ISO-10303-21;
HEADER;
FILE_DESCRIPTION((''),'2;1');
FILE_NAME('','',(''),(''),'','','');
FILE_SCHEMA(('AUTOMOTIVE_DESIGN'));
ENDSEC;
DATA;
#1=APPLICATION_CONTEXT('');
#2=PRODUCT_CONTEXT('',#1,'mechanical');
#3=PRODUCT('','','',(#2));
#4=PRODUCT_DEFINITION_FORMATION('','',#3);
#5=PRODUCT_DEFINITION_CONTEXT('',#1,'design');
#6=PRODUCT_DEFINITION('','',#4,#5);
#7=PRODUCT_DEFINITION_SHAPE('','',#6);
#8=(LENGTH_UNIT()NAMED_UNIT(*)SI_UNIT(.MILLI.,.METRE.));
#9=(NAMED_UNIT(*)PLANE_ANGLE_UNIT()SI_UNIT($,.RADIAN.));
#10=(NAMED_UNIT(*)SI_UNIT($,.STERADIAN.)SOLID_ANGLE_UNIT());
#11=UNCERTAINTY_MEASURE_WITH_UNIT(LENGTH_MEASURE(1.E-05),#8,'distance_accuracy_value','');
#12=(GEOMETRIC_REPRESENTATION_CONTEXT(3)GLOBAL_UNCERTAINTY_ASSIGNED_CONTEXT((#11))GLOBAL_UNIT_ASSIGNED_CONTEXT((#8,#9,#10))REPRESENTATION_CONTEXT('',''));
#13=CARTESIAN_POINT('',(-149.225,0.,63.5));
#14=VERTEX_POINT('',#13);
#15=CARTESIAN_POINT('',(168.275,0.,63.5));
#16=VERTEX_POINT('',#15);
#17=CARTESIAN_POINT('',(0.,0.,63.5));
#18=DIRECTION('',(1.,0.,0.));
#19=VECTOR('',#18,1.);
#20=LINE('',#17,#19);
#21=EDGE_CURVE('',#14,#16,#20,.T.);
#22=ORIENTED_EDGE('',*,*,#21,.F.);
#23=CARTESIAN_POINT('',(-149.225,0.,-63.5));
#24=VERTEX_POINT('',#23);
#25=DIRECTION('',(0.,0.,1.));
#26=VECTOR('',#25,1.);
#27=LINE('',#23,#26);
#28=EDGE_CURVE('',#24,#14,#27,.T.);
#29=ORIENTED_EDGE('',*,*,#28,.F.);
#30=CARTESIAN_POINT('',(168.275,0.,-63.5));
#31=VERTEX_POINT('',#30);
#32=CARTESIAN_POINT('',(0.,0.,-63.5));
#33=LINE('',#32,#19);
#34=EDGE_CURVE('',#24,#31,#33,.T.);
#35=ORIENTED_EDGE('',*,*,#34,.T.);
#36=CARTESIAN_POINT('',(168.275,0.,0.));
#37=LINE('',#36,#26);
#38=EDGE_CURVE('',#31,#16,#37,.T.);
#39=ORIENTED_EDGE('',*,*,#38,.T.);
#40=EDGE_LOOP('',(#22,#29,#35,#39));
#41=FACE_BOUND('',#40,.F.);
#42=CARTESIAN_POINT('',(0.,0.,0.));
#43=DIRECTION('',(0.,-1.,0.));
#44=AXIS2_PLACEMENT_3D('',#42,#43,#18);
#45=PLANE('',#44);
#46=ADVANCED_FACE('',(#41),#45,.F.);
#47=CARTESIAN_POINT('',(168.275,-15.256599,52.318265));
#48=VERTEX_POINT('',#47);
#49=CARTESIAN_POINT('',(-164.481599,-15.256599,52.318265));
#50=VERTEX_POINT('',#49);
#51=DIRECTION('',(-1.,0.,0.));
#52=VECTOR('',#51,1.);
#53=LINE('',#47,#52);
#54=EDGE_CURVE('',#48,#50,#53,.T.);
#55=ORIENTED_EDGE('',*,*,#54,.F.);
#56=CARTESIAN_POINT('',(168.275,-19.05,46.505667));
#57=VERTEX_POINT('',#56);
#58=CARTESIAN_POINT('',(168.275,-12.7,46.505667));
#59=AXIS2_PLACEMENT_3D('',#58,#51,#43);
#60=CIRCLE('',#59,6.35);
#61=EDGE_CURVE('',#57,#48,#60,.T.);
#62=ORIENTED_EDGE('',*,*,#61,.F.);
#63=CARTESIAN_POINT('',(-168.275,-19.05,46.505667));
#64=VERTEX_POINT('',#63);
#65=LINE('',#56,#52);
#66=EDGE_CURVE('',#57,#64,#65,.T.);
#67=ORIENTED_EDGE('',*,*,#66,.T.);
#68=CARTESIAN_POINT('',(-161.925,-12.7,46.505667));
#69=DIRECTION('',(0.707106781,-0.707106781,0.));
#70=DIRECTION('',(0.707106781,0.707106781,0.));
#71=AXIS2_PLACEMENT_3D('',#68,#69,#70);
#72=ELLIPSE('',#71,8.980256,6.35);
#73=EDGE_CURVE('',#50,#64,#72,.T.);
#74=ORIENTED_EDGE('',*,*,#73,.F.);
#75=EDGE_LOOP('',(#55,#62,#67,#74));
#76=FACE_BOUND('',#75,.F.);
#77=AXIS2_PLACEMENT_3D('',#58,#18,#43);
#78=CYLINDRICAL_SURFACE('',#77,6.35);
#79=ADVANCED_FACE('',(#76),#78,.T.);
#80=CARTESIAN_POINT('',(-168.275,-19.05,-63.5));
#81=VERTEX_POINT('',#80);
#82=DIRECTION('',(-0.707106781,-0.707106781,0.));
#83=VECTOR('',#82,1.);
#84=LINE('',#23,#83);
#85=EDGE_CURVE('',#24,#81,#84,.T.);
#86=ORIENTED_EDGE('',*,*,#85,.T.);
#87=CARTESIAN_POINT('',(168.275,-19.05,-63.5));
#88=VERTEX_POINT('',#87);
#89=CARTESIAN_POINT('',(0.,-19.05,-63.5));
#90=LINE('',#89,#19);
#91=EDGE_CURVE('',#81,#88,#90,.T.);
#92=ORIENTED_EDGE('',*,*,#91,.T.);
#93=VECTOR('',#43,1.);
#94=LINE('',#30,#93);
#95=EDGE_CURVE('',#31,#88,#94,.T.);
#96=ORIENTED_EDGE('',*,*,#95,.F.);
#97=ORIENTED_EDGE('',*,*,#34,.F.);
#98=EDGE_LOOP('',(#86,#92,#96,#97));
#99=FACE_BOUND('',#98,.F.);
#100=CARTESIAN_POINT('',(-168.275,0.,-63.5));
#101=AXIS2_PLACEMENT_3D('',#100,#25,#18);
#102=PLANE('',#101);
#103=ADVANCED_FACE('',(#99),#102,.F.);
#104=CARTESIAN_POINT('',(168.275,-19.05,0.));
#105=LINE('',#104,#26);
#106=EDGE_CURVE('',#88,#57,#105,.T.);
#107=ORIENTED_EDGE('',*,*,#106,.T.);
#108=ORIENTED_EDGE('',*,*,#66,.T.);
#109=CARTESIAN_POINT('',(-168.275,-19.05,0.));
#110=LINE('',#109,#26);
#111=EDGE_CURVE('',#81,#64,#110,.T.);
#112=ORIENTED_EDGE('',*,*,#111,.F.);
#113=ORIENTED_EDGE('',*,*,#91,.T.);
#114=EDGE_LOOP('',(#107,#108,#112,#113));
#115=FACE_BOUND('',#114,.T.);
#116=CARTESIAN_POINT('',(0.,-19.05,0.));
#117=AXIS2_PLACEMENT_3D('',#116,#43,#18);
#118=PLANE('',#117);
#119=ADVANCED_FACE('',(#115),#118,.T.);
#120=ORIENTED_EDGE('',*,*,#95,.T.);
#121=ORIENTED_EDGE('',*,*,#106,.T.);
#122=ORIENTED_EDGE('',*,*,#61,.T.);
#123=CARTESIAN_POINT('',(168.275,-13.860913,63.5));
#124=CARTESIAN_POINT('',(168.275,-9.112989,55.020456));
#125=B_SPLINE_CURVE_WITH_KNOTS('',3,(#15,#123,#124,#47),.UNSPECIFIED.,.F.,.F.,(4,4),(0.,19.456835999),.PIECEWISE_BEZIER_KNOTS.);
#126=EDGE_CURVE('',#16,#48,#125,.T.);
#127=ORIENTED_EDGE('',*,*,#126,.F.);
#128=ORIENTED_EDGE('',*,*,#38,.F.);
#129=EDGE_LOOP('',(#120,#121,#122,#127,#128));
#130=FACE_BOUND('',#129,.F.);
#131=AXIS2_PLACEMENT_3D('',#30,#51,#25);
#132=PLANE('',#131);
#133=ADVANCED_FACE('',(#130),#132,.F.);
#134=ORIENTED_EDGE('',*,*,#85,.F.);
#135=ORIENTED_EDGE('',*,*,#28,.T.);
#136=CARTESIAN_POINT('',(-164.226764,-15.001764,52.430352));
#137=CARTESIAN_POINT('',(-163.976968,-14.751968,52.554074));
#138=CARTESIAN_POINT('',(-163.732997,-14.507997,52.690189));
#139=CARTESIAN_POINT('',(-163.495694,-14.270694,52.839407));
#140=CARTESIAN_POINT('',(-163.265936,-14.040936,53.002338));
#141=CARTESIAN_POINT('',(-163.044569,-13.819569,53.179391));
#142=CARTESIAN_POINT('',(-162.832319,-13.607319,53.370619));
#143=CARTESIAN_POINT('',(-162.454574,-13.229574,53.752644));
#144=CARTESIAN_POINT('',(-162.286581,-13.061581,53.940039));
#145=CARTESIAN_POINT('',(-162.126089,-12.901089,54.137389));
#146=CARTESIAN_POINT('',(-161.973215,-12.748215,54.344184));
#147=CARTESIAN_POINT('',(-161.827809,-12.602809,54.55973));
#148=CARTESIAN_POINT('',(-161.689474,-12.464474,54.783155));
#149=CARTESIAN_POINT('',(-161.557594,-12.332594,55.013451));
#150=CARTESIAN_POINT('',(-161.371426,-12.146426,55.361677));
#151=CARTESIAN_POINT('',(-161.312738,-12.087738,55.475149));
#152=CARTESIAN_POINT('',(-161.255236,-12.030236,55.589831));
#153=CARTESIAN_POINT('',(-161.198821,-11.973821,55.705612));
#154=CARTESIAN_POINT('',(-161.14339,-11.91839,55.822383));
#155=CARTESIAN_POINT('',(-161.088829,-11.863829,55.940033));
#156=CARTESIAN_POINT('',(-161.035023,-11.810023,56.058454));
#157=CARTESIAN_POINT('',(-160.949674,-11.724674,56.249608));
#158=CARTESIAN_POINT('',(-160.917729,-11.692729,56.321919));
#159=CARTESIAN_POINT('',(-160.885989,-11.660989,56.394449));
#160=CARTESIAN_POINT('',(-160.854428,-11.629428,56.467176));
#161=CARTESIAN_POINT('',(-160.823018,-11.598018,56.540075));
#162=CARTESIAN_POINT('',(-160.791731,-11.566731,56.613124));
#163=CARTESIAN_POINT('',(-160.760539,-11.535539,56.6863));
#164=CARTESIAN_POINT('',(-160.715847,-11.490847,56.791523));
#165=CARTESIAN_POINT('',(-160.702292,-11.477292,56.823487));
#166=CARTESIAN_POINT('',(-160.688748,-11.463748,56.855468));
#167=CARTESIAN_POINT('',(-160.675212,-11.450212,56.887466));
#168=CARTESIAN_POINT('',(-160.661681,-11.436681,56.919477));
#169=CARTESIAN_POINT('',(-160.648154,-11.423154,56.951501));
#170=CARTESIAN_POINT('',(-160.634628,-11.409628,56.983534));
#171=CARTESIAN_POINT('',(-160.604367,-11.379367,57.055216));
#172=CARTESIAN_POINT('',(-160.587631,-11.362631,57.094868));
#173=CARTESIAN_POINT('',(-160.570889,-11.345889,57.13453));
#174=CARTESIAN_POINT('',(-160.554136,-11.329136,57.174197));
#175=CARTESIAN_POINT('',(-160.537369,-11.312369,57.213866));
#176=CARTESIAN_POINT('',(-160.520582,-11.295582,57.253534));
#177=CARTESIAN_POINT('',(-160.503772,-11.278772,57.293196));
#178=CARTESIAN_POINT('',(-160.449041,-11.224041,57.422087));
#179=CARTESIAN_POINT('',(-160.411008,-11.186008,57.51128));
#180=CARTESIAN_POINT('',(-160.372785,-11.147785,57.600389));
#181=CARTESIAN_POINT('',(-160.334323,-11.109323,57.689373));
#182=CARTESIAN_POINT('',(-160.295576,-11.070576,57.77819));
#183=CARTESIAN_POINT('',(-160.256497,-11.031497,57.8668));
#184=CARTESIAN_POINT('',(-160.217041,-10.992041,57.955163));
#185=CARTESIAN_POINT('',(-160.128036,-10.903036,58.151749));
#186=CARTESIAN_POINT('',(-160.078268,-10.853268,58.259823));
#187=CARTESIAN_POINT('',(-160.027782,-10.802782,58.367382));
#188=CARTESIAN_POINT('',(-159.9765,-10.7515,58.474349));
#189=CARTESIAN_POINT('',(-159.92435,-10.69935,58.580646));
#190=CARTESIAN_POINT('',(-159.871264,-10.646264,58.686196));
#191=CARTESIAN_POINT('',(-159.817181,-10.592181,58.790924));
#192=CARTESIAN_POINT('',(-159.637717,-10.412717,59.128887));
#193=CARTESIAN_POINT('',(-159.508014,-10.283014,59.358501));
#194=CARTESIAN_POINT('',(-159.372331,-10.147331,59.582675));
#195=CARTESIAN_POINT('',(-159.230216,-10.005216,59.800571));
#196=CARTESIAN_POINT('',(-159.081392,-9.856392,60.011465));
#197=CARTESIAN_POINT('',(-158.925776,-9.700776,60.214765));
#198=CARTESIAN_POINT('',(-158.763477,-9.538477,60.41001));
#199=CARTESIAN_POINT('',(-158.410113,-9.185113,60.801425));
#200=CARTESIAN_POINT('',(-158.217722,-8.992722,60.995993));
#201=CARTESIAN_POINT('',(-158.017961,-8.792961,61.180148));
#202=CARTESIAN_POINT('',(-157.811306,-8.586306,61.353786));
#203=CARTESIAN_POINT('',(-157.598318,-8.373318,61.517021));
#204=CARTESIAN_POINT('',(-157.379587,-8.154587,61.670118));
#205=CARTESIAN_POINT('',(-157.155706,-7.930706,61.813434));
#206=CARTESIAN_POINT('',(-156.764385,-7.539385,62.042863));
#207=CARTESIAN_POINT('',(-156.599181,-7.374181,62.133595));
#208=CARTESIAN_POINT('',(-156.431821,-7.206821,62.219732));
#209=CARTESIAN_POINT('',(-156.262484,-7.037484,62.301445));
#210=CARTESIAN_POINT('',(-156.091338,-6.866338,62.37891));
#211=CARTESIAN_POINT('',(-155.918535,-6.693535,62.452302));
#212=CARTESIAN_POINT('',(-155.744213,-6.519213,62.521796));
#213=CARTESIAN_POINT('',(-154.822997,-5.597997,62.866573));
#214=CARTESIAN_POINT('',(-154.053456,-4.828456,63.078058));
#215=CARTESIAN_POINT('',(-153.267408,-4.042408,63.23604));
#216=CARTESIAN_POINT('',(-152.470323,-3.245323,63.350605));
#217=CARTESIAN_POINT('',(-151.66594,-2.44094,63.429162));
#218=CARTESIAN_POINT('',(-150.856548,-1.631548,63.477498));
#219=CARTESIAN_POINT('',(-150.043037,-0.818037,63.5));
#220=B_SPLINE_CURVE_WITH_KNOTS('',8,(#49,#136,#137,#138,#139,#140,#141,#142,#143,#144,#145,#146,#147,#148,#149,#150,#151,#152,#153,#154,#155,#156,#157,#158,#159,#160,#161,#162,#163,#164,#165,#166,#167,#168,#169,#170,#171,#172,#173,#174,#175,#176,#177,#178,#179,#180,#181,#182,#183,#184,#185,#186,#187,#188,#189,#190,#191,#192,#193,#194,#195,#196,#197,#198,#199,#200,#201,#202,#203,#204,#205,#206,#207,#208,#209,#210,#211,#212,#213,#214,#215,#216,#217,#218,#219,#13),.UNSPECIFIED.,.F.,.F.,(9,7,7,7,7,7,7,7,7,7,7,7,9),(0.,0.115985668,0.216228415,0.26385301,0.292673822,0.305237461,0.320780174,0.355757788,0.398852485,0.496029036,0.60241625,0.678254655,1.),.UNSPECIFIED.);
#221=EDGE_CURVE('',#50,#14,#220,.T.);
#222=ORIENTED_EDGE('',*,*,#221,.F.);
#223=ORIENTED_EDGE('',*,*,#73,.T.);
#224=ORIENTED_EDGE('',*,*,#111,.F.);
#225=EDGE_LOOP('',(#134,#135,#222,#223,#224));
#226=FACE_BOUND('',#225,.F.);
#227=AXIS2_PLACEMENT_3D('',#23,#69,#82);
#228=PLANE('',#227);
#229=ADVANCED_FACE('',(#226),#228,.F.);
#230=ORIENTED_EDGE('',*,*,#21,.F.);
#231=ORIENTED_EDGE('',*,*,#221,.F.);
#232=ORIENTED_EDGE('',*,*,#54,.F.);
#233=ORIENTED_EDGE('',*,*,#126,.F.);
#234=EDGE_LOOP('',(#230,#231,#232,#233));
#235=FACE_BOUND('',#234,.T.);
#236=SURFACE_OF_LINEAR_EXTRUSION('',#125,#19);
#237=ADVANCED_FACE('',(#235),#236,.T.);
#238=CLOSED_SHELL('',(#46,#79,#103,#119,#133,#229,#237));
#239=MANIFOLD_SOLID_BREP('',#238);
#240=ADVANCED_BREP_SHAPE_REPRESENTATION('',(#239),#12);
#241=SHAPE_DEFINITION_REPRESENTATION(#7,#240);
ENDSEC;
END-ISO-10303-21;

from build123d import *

# Parameters (mm, degrees)
F0_W     = 336.55
F0_H     = 127
F1_DEPTH = 19.05
F3_DEPTH = 336.551
F5_DEPTH = 127.0010001


with BuildPart() as f1:
    # F0 (on Front) → F1 (new body)
    with BuildSketch(Plane.XZ):
        Rectangle(F0_W, F0_H)
    extrude(amount=F1_DEPTH)

    # F2 (on face) → F3 (cut, through all)
    with BuildSketch(Plane.YZ.offset(168.275)):
        with BuildLine():
            add(Edge.make_bspline(
                [(0, 63.5), (-13.8609133718, 63.5), (-9.1129885479, 55.0204556119), (-15.256598862, 52.3182653746)],
                knots=[0, 0, 0, 0, 19.4568359991, 19.4568359991, 19.4568359991, 19.4568359991], degree=3))
            Line((0, 63.5), (-19.05, 63.5))
            Line((-19.05, 63.5), (-19.05, 51.528967917))
            add(Edge.make_bspline(
                [(-15.256598862, 52.3182653746), (-16.2172018341, 51.8957561593), (-17.4440793365, 51.6144907855), (-19.05, 51.528967917)],
                knots=[19.4568359991, 19.4568359991, 19.4568359991, 19.4568359991, 22.4990690726, 22.4990690726, 22.4990690726, 22.4990690726], degree=3))
        make_face()
        with BuildLine():
            ThreePointArc((-19.05, 46.505666794), (-18.0177487141, 49.976120455), (-15.256598862, 52.3182653746))
            add(Edge.make_bspline(
                [(-15.256598862, 52.3182653746), (-16.2172018341, 51.8957561593), (-17.4440793365, 51.6144907855), (-19.05, 51.528967917)],
                knots=[19.4568359991, 19.4568359991, 19.4568359991, 19.4568359991, 22.4990690726, 22.4990690726, 22.4990690726, 22.4990690726], degree=3))
            Line((-19.05, 51.528967917), (-19.05, 46.505666794))
        make_face()
    extrude(amount=-F3_DEPTH, mode=Mode.SUBTRACT)

    # F4 (on face) → F5 (cut, through all)
    with BuildSketch(Plane(origin=(0, 0, -63.5), x_dir=(1, 0, 0), z_dir=(0, 0, -1))):
        Polygon((-149.225, 0), (-168.275, 19.05), (-168.275, 0), align=None)
    extrude(amount=-F5_DEPTH, mode=Mode.SUBTRACT)


solid = f1.part
